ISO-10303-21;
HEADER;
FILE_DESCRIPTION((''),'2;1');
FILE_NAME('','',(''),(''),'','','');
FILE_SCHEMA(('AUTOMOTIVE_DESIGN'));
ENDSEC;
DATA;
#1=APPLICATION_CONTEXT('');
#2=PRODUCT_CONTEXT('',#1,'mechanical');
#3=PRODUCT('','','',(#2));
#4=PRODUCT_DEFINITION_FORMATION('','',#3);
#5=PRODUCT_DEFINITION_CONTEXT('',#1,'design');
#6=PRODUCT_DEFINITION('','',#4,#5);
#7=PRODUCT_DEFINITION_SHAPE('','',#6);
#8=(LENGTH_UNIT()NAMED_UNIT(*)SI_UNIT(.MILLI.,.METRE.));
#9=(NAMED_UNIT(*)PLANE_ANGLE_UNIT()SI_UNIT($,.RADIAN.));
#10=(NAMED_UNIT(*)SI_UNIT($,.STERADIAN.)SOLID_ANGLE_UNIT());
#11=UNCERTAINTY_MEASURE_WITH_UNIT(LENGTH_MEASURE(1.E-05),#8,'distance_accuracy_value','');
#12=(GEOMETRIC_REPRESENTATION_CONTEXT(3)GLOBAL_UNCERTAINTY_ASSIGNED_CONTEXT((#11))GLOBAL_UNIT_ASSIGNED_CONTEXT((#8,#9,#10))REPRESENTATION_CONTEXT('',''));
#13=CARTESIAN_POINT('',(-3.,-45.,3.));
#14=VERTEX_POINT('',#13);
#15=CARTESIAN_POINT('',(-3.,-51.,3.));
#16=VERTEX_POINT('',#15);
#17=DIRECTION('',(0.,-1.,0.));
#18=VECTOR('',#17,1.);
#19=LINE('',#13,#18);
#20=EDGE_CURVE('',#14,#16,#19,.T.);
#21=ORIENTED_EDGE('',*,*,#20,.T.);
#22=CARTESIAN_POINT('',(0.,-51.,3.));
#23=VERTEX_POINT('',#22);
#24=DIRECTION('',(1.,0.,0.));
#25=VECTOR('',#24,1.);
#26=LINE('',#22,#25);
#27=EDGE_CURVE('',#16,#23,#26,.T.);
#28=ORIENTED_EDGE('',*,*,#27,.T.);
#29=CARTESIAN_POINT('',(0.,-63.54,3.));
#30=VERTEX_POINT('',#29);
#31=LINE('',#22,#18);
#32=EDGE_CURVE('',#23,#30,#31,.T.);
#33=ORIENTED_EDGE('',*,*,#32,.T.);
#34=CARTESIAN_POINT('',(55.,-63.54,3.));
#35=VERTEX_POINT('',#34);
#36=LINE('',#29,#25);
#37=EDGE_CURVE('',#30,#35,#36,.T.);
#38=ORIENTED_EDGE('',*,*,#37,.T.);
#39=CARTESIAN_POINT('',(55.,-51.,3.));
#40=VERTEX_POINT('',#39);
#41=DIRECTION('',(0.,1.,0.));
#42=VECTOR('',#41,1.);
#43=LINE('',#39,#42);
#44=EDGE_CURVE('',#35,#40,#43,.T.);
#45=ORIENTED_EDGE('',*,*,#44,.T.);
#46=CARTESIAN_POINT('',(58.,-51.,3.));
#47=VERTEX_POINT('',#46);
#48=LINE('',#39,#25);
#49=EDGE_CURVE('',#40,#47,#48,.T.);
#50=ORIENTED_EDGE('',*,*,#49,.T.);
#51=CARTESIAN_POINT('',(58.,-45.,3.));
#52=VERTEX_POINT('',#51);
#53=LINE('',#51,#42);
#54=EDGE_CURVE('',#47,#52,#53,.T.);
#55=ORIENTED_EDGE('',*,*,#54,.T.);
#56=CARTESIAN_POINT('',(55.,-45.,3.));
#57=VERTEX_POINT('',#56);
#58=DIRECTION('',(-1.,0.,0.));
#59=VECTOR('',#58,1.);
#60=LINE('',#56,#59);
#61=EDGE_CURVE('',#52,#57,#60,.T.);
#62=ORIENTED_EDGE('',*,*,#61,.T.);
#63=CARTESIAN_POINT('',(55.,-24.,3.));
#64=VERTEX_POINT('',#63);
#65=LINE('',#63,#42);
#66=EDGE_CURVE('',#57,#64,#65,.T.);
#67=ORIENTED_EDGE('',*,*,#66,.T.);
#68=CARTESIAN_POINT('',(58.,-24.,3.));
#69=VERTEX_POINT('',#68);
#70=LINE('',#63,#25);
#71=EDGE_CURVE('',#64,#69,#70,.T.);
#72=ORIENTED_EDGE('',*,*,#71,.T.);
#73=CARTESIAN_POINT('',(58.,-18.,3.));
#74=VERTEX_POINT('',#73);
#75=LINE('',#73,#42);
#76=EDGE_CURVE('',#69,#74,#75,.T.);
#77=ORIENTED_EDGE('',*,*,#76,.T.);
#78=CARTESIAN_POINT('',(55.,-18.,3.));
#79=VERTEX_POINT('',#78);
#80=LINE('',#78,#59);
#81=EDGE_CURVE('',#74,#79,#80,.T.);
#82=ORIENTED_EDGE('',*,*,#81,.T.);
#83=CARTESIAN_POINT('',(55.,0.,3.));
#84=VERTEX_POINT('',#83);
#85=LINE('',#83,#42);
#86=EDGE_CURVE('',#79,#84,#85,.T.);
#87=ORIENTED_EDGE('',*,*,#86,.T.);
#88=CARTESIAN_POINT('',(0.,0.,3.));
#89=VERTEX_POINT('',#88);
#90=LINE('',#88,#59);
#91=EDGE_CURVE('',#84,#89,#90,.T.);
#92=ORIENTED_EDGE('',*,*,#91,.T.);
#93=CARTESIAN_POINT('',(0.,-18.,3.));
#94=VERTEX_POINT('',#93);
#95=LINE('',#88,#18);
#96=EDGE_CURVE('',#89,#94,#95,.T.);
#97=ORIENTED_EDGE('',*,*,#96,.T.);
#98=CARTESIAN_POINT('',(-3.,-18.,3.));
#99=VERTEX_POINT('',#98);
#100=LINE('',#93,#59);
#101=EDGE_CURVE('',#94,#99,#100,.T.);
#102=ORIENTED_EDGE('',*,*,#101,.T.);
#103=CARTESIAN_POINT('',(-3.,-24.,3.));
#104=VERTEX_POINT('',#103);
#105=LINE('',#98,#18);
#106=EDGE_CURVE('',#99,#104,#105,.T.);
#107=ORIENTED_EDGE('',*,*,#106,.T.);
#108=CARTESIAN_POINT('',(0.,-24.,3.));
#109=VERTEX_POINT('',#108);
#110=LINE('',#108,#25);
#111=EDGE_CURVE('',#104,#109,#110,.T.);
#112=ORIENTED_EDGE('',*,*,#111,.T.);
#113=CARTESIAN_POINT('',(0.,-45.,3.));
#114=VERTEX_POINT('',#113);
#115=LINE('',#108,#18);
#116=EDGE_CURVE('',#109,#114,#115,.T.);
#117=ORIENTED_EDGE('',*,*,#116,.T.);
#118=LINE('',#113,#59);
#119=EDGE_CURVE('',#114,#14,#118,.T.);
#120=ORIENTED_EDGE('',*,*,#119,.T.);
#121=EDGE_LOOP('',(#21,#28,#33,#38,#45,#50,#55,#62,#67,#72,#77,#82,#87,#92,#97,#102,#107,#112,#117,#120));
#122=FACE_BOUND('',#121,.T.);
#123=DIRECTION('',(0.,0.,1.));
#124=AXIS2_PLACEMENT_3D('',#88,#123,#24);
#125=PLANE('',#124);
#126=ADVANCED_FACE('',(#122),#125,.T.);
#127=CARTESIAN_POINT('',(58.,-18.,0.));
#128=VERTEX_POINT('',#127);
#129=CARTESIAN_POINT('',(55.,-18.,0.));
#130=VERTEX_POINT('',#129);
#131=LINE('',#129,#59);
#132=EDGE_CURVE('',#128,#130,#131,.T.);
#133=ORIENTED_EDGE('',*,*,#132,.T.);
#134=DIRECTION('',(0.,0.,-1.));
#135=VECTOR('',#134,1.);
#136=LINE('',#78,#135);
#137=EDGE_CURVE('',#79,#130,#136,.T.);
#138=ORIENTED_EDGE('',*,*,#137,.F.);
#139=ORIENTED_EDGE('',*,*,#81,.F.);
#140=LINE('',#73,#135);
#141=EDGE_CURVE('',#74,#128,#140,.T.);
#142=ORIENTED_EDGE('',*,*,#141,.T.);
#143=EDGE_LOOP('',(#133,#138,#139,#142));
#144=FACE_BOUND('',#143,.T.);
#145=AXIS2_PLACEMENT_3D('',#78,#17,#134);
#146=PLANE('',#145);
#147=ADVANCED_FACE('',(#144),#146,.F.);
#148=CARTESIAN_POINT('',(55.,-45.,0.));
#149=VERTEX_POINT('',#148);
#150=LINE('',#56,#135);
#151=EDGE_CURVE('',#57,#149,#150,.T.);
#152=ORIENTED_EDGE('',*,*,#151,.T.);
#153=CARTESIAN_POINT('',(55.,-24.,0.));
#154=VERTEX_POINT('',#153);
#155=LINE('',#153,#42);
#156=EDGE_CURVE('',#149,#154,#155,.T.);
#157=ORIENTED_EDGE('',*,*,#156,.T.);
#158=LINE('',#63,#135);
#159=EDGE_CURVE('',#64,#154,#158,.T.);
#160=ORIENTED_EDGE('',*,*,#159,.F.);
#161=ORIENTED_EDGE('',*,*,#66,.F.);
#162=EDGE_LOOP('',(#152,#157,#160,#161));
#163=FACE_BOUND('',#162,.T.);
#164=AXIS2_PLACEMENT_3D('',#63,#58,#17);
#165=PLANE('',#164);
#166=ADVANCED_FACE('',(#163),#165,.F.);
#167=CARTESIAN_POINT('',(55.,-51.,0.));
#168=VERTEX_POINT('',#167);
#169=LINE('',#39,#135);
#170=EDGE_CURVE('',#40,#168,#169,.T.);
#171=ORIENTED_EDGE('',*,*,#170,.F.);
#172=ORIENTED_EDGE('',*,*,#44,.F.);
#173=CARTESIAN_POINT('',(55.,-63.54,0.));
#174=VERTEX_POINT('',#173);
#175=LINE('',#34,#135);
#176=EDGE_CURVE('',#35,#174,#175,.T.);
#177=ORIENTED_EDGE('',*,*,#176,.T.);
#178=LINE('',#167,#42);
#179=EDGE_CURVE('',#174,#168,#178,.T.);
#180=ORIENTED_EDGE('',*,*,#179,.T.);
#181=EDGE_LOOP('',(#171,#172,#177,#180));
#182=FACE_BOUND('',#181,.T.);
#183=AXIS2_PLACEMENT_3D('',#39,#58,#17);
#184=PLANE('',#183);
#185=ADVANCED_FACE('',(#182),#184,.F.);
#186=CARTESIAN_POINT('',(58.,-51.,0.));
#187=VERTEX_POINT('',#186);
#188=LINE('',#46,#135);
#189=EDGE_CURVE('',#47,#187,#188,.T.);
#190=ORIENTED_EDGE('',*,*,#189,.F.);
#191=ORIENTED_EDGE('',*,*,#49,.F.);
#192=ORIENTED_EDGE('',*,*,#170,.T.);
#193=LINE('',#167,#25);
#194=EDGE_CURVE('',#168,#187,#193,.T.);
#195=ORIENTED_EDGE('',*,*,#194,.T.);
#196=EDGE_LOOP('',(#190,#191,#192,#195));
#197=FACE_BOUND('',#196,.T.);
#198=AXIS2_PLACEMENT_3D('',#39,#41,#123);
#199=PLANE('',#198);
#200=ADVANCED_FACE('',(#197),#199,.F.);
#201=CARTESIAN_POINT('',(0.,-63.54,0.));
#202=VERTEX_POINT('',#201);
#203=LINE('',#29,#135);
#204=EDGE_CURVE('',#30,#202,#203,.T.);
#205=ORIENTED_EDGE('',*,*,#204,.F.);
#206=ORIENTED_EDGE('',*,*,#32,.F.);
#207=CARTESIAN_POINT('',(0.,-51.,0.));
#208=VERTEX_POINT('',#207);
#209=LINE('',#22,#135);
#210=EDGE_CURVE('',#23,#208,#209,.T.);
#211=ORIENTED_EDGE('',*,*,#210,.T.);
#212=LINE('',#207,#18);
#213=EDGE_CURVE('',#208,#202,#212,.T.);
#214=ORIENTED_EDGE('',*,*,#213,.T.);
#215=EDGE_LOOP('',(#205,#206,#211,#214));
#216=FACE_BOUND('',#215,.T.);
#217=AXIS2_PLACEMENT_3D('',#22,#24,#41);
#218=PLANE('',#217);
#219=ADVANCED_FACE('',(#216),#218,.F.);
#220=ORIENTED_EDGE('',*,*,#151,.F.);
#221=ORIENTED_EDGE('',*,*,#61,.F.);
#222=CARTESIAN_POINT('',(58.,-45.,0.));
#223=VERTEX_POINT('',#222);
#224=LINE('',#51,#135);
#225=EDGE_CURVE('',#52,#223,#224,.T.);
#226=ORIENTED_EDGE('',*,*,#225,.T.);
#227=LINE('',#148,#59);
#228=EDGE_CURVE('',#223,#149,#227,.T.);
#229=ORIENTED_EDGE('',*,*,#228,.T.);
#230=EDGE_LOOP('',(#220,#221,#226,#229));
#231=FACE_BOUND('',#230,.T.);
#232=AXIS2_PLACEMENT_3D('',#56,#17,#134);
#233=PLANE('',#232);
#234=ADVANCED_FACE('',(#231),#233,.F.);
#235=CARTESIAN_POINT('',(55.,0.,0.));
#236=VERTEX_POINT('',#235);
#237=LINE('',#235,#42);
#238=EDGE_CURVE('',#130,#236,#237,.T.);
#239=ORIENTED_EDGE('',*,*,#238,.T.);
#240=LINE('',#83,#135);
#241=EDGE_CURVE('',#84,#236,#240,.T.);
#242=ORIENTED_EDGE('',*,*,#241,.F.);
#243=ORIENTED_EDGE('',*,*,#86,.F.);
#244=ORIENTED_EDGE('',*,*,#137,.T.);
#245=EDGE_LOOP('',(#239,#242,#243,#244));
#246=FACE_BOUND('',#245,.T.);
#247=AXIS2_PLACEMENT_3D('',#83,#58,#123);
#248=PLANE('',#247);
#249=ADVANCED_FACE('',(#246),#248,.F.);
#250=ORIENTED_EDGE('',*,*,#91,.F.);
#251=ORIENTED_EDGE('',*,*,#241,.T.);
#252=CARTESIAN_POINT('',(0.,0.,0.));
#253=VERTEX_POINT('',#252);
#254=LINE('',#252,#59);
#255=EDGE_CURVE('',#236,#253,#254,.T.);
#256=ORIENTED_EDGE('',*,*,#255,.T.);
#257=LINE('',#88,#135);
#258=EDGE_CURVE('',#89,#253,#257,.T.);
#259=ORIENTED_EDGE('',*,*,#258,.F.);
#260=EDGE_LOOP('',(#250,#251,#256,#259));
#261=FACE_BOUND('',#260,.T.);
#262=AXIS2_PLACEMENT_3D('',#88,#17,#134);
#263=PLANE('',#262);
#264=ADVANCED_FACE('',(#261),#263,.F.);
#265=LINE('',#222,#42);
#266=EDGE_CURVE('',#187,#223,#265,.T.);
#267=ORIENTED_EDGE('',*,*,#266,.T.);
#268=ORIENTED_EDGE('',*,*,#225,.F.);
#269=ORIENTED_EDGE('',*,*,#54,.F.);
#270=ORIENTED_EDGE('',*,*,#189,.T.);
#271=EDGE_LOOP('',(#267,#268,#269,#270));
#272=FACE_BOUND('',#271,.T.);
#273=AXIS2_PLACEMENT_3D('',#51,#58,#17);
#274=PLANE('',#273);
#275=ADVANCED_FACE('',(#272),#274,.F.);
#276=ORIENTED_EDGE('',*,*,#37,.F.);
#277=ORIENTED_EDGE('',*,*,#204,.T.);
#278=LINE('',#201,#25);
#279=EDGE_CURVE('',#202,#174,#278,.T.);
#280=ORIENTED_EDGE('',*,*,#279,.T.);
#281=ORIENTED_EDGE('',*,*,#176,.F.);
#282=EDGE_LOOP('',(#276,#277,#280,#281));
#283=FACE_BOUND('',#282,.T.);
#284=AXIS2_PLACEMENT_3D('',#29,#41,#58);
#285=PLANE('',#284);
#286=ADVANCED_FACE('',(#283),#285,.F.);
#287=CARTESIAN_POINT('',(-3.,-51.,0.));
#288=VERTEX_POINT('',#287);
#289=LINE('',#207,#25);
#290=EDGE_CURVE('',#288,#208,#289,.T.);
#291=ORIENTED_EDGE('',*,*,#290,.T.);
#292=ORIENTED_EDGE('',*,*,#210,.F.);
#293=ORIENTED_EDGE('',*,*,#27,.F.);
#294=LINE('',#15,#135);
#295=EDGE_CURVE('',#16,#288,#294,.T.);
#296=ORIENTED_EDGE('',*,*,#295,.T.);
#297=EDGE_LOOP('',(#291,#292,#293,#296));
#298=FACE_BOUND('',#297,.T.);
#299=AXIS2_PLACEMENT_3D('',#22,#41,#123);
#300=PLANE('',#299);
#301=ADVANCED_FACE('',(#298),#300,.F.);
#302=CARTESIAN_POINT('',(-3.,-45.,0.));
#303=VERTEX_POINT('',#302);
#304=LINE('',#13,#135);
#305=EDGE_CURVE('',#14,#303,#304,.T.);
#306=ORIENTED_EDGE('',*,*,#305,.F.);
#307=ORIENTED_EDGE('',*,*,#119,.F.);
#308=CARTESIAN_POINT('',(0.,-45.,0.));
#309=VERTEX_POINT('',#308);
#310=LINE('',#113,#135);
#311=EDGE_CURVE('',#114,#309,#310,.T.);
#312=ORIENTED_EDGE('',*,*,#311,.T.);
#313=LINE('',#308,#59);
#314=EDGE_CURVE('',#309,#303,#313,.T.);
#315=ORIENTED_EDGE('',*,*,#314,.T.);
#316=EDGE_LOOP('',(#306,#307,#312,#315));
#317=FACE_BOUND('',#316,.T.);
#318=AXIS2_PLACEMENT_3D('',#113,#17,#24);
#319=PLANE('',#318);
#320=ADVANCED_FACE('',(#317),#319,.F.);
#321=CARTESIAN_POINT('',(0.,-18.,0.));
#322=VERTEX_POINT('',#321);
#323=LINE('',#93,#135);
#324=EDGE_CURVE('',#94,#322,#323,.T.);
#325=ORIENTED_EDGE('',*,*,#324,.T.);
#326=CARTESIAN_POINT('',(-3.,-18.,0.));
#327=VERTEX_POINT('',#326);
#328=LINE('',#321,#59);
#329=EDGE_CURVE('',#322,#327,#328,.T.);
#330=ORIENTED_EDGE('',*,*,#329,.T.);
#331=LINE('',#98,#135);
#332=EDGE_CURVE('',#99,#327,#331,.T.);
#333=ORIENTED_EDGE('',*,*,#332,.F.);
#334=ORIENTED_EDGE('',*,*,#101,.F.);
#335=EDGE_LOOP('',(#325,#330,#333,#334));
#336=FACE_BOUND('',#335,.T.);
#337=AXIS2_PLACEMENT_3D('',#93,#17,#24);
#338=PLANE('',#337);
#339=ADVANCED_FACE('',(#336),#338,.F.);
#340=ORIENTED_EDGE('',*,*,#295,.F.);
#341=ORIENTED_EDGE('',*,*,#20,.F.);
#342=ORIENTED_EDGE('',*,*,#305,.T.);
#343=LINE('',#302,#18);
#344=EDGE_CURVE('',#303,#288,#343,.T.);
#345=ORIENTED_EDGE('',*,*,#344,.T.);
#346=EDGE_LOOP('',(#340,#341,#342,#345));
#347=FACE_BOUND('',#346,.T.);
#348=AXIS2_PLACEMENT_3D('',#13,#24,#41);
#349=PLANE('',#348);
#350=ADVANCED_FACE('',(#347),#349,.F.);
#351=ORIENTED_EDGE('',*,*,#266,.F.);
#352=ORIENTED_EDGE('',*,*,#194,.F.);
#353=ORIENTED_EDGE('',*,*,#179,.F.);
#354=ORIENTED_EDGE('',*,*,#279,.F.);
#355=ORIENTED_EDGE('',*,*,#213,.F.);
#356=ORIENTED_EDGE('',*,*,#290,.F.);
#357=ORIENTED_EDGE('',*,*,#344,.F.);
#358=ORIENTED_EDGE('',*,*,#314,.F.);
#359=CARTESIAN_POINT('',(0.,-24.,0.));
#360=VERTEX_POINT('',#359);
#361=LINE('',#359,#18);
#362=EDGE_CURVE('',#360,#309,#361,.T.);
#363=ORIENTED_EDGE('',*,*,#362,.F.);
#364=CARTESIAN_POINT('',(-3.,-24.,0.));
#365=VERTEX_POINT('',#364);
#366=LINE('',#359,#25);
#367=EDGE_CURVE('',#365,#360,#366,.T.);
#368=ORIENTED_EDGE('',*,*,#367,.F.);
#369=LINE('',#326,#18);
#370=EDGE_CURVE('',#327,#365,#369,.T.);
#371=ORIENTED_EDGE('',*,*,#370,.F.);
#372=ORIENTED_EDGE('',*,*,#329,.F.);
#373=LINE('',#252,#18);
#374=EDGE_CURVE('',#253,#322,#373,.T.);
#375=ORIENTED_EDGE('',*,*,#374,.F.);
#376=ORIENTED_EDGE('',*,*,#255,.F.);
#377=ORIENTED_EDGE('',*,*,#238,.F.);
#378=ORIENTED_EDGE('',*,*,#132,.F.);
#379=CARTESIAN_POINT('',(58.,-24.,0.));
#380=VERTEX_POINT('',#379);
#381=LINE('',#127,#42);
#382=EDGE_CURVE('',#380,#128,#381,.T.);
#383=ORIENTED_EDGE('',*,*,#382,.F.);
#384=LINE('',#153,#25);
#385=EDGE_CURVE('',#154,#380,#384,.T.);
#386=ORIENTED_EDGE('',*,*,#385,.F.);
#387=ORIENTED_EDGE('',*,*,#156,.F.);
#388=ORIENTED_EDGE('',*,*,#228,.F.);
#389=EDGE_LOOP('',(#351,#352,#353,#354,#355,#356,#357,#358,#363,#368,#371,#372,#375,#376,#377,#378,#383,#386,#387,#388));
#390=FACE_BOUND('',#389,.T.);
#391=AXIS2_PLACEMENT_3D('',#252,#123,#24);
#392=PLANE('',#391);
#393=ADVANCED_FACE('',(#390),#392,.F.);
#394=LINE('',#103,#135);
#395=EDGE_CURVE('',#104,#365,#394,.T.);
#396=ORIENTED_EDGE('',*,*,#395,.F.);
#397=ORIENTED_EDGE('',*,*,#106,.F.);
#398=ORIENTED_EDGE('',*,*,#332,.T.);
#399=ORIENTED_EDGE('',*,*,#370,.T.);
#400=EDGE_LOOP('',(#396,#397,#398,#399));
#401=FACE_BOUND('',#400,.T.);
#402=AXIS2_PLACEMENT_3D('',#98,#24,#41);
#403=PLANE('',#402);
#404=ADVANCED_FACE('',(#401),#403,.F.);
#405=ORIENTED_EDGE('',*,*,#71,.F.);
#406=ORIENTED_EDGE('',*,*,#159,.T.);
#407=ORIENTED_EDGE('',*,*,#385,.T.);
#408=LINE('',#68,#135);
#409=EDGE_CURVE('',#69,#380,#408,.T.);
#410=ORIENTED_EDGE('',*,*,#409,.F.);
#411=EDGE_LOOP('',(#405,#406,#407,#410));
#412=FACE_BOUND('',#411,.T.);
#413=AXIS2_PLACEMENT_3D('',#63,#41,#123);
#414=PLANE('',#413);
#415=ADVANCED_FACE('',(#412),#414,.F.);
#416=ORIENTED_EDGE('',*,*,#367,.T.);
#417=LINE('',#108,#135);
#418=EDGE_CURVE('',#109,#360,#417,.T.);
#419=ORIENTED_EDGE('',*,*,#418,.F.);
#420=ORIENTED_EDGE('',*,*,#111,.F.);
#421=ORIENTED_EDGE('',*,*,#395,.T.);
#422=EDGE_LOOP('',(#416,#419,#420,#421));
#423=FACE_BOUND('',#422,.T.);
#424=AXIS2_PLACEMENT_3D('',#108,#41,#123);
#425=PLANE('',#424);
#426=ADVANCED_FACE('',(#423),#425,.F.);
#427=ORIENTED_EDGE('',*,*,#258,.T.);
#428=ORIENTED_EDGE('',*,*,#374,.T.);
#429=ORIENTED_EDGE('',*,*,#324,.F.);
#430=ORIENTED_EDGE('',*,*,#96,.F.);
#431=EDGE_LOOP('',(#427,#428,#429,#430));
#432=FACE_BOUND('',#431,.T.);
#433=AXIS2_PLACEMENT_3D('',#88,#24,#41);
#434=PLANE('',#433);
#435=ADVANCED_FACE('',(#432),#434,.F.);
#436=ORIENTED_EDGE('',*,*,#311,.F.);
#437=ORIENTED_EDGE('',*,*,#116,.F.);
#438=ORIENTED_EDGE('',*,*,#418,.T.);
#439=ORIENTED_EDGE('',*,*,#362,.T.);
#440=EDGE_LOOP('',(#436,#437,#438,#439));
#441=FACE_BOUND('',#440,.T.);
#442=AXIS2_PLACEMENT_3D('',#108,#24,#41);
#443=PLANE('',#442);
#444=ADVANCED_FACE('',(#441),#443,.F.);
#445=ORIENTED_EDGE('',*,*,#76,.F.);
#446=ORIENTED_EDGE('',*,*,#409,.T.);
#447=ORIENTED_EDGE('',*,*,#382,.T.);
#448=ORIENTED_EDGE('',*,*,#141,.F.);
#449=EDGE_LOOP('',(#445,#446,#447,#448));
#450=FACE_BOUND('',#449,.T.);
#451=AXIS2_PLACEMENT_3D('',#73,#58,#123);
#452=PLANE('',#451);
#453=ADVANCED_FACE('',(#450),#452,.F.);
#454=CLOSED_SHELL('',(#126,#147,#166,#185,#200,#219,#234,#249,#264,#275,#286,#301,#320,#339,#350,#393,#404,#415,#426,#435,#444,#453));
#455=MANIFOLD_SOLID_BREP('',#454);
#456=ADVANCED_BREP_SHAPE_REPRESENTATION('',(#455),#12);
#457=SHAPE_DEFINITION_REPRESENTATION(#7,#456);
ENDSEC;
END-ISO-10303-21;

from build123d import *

# Parameters (mm, degrees)
P_IDAT_VYSUNUT_M1_DEPTH = 3


with BuildPart() as part:
    # Skica1 → Přidat vysunutím1 (new body)
    with BuildSketch(Plane.XY):
        Polygon((0, 0), (55, 0), (55, -18), (58, -18), (58, -24), (55, -24), (55, -45), (58, -45), (58, -51), (55, -51), (55, -63.54), (0, -63.54), (0, -51), (-3, -51), (-3, -45), (0, -45), (0, -24), (-3, -24), (-3, -18), (0, -18), align=None)
    extrude(amount=P_IDAT_VYSUNUT_M1_DEPTH)


solid = part.part
